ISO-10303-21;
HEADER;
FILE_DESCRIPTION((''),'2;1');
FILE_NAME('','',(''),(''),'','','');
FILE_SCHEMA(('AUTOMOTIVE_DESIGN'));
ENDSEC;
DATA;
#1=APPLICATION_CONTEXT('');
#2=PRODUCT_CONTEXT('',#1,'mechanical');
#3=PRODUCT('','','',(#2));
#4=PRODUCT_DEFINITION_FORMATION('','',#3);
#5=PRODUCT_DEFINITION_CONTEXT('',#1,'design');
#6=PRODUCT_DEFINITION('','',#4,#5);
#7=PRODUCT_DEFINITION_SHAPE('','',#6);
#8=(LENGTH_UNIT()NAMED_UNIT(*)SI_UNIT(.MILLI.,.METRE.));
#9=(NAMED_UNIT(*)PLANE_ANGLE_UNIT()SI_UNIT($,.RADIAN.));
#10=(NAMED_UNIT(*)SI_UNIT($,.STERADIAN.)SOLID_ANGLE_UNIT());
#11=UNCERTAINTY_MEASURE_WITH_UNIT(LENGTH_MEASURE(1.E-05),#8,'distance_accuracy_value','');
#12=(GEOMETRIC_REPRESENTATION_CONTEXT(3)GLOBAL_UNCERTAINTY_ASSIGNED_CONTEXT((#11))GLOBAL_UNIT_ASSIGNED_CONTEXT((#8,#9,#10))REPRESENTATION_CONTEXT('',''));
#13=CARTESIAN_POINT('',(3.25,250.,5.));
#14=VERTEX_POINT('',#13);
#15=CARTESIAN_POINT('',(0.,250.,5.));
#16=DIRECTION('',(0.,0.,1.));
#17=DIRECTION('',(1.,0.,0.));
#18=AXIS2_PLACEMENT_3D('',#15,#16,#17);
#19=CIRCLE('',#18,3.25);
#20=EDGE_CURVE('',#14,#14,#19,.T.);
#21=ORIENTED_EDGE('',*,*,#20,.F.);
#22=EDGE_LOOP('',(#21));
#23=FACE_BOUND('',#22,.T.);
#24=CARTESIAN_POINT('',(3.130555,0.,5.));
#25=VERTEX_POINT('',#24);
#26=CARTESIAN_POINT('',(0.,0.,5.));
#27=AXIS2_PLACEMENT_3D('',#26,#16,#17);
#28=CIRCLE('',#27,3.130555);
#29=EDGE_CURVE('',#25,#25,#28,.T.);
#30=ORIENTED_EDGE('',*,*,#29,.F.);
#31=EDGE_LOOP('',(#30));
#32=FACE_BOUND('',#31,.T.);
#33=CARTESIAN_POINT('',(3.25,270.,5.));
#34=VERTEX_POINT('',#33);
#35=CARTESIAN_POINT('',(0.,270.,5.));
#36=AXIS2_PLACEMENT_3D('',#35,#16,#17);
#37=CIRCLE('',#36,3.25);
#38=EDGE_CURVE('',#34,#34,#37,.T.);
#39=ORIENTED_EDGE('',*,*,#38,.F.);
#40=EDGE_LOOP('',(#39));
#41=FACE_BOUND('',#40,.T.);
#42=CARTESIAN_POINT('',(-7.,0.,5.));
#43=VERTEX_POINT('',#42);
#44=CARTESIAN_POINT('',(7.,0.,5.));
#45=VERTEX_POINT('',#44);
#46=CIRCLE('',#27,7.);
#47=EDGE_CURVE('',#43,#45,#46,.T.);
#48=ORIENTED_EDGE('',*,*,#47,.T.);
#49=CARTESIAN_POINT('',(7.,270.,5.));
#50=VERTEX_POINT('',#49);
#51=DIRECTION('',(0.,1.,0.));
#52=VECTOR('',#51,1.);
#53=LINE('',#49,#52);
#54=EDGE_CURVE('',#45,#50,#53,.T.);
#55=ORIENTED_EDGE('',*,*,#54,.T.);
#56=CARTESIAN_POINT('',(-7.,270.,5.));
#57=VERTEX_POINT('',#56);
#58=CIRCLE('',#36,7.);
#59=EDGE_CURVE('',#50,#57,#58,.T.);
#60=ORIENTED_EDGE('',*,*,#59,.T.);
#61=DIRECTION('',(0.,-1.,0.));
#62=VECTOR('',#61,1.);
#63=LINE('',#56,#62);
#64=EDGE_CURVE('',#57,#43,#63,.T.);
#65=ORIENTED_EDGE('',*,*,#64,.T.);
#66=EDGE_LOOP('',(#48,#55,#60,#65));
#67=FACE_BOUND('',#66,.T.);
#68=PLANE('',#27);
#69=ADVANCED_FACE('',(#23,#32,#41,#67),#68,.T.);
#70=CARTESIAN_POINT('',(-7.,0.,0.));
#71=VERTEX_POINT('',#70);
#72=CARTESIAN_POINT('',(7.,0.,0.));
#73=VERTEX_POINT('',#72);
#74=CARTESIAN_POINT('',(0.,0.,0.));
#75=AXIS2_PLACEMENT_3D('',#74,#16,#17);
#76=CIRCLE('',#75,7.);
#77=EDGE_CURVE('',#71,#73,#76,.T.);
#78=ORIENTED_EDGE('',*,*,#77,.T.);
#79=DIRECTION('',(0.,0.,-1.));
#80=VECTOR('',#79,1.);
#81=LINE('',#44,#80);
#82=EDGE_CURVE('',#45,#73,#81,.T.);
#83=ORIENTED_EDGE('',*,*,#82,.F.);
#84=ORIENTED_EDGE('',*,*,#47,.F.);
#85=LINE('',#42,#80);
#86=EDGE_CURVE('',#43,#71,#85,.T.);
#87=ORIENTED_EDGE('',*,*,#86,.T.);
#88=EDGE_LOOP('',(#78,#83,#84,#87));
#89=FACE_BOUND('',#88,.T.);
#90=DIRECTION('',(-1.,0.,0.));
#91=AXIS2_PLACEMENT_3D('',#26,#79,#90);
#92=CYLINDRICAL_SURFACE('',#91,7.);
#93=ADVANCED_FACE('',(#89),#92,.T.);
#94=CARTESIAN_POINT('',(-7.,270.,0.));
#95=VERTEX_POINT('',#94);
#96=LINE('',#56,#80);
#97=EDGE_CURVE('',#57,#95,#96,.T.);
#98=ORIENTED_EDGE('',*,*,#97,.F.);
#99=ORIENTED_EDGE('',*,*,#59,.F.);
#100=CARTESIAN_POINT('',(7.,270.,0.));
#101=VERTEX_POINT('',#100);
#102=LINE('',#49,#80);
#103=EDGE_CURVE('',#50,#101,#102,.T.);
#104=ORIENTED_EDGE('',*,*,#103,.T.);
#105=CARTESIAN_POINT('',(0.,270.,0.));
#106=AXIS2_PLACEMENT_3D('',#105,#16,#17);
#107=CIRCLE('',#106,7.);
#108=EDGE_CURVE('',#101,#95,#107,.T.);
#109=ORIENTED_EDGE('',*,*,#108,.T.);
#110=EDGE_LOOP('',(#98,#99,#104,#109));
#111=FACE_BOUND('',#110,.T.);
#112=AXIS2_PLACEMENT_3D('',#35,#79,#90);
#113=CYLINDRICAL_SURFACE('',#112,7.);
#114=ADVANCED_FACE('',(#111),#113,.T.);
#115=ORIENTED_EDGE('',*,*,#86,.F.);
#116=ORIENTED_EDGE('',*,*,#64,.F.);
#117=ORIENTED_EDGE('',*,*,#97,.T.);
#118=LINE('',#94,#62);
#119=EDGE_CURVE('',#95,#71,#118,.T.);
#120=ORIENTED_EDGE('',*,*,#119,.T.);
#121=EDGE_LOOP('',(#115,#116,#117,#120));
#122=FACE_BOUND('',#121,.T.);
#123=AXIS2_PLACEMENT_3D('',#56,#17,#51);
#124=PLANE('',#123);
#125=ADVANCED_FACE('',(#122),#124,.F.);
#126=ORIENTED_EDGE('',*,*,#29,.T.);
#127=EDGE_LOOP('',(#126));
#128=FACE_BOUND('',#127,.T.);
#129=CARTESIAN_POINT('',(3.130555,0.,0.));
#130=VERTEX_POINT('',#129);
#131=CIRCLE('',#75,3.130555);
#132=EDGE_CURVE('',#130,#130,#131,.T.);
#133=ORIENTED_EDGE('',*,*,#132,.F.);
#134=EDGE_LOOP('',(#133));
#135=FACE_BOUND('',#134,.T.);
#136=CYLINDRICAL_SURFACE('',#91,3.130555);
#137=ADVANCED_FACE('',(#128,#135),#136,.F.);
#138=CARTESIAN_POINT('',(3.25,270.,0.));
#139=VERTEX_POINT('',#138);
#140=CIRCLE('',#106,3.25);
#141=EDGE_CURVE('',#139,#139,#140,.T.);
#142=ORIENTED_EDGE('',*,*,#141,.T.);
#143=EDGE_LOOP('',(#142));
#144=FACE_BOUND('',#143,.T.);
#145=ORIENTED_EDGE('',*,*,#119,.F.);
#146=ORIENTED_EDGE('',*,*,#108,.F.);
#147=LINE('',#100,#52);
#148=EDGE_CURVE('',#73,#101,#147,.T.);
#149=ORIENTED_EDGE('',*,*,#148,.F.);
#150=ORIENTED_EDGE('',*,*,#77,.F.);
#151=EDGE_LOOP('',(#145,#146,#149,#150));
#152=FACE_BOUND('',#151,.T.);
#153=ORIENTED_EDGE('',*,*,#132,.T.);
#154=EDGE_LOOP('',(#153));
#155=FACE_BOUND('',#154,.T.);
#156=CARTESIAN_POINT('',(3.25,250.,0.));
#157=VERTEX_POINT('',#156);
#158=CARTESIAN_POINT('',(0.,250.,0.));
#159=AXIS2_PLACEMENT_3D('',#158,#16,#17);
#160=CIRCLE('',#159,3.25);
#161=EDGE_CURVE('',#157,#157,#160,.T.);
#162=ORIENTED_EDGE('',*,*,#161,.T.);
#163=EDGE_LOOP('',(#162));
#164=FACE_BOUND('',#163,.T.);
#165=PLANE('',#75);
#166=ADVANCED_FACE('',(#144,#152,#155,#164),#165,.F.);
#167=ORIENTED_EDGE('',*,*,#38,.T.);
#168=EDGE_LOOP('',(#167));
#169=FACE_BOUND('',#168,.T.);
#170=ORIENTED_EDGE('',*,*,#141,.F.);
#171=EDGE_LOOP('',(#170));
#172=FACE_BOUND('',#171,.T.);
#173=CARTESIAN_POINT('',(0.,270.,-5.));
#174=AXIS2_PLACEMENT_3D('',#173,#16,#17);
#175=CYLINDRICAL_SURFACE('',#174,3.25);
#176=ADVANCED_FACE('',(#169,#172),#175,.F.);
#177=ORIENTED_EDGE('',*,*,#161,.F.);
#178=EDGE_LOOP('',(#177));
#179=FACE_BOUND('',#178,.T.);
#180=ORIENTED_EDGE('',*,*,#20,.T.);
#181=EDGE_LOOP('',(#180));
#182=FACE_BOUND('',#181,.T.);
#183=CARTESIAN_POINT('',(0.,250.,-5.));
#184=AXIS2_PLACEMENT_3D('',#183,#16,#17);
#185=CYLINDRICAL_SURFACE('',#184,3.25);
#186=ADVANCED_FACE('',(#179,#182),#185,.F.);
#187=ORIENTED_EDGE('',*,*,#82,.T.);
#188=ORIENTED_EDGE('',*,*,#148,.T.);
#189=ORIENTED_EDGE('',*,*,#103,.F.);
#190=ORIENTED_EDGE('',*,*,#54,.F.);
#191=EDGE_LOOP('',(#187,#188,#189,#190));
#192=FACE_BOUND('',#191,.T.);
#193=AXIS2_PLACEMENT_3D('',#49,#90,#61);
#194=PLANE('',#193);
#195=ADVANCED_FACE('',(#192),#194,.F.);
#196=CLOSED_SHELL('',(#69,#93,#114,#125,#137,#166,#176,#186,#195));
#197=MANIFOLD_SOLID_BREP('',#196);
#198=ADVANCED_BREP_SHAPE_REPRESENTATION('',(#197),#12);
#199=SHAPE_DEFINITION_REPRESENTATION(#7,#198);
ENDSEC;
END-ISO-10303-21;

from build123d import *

# Parameters (mm, degrees)
SKETCH1_R           = 3.130555183
BOSS_EXTRUDE1_DEPTH = 5
SKETCH2_R           = 3.25
CUT_EXTRUDE1_DEPTH  = 10


with BuildPart() as part:
    # Sketch1 → Boss-Extrude1 (new body)
    with BuildSketch(Plane.XY):
        with BuildLine():
            Line((7, 270), (7, 0))
            ThreePointArc((7, 0), (0, -7), (-7, 0))
            Line((-7, 0), (-7, 270))
            ThreePointArc((-7, 270), (0, 277), (7, 270))
        make_face()
        Circle(SKETCH1_R, mode=Mode.SUBTRACT)
    extrude(amount=BOSS_EXTRUDE1_DEPTH)

    # Sketch2 → Cut-Extrude1 (cut)
    with BuildSketch(Plane.XY.offset(5)):
        with Locations((0, 270)):
            Circle(SKETCH2_R)
        with Locations((0, 250)):
            Circle(SKETCH2_R)
    extrude(amount=-CUT_EXTRUDE1_DEPTH, mode=Mode.SUBTRACT)


solid = part.part
